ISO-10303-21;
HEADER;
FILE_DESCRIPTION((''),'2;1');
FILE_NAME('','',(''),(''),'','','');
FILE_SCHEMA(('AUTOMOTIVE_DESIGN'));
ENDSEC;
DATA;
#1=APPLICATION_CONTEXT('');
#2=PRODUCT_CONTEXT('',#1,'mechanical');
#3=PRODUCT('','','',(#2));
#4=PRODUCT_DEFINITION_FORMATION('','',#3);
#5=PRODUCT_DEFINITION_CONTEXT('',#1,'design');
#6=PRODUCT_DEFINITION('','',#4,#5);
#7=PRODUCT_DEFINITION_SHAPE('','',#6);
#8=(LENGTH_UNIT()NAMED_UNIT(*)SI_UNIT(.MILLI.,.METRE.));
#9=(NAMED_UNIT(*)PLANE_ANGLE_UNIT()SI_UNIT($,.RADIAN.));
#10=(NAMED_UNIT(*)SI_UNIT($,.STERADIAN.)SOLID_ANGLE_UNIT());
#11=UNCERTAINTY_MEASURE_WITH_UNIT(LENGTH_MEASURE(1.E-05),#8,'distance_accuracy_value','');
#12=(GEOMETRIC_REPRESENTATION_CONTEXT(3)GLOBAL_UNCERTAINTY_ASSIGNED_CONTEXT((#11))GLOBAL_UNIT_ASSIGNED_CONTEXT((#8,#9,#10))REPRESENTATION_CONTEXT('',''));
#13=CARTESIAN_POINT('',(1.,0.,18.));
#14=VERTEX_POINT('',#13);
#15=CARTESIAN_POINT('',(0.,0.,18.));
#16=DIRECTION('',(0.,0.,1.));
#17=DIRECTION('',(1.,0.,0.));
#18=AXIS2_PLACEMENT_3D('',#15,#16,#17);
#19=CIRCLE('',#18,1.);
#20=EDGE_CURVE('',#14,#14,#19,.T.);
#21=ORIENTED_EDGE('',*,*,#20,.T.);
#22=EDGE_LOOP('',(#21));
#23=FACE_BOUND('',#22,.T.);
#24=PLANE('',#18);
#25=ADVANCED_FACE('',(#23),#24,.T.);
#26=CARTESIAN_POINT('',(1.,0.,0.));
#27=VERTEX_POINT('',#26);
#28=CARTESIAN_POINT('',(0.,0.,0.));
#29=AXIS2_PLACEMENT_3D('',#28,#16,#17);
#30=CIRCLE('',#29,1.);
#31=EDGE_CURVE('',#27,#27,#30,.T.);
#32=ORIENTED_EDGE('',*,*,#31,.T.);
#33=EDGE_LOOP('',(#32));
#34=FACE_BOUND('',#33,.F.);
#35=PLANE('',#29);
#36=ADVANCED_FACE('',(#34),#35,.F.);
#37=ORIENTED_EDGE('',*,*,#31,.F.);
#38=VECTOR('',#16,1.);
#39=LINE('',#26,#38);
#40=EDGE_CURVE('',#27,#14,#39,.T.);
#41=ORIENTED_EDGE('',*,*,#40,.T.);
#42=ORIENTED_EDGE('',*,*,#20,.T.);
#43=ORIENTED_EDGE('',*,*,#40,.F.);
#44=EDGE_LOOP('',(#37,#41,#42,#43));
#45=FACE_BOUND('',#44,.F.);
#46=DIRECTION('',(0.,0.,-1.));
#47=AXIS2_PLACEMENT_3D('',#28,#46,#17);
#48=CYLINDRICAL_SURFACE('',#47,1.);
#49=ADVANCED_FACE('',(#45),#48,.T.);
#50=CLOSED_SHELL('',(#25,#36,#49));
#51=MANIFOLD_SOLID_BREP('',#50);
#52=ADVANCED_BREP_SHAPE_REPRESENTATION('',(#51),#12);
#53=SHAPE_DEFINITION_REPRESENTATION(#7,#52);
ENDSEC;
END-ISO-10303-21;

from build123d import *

# Parameters (mm, degrees)
SKETCH1_R           = 1
BOSS_EXTRUDE1_DEPTH = 18


with BuildPart() as part:
    # Sketch1 → Boss-Extrude1 (new body)
    with BuildSketch(Plane.XY):
        Circle(SKETCH1_R)
    extrude(amount=BOSS_EXTRUDE1_DEPTH)


solid = part.part
